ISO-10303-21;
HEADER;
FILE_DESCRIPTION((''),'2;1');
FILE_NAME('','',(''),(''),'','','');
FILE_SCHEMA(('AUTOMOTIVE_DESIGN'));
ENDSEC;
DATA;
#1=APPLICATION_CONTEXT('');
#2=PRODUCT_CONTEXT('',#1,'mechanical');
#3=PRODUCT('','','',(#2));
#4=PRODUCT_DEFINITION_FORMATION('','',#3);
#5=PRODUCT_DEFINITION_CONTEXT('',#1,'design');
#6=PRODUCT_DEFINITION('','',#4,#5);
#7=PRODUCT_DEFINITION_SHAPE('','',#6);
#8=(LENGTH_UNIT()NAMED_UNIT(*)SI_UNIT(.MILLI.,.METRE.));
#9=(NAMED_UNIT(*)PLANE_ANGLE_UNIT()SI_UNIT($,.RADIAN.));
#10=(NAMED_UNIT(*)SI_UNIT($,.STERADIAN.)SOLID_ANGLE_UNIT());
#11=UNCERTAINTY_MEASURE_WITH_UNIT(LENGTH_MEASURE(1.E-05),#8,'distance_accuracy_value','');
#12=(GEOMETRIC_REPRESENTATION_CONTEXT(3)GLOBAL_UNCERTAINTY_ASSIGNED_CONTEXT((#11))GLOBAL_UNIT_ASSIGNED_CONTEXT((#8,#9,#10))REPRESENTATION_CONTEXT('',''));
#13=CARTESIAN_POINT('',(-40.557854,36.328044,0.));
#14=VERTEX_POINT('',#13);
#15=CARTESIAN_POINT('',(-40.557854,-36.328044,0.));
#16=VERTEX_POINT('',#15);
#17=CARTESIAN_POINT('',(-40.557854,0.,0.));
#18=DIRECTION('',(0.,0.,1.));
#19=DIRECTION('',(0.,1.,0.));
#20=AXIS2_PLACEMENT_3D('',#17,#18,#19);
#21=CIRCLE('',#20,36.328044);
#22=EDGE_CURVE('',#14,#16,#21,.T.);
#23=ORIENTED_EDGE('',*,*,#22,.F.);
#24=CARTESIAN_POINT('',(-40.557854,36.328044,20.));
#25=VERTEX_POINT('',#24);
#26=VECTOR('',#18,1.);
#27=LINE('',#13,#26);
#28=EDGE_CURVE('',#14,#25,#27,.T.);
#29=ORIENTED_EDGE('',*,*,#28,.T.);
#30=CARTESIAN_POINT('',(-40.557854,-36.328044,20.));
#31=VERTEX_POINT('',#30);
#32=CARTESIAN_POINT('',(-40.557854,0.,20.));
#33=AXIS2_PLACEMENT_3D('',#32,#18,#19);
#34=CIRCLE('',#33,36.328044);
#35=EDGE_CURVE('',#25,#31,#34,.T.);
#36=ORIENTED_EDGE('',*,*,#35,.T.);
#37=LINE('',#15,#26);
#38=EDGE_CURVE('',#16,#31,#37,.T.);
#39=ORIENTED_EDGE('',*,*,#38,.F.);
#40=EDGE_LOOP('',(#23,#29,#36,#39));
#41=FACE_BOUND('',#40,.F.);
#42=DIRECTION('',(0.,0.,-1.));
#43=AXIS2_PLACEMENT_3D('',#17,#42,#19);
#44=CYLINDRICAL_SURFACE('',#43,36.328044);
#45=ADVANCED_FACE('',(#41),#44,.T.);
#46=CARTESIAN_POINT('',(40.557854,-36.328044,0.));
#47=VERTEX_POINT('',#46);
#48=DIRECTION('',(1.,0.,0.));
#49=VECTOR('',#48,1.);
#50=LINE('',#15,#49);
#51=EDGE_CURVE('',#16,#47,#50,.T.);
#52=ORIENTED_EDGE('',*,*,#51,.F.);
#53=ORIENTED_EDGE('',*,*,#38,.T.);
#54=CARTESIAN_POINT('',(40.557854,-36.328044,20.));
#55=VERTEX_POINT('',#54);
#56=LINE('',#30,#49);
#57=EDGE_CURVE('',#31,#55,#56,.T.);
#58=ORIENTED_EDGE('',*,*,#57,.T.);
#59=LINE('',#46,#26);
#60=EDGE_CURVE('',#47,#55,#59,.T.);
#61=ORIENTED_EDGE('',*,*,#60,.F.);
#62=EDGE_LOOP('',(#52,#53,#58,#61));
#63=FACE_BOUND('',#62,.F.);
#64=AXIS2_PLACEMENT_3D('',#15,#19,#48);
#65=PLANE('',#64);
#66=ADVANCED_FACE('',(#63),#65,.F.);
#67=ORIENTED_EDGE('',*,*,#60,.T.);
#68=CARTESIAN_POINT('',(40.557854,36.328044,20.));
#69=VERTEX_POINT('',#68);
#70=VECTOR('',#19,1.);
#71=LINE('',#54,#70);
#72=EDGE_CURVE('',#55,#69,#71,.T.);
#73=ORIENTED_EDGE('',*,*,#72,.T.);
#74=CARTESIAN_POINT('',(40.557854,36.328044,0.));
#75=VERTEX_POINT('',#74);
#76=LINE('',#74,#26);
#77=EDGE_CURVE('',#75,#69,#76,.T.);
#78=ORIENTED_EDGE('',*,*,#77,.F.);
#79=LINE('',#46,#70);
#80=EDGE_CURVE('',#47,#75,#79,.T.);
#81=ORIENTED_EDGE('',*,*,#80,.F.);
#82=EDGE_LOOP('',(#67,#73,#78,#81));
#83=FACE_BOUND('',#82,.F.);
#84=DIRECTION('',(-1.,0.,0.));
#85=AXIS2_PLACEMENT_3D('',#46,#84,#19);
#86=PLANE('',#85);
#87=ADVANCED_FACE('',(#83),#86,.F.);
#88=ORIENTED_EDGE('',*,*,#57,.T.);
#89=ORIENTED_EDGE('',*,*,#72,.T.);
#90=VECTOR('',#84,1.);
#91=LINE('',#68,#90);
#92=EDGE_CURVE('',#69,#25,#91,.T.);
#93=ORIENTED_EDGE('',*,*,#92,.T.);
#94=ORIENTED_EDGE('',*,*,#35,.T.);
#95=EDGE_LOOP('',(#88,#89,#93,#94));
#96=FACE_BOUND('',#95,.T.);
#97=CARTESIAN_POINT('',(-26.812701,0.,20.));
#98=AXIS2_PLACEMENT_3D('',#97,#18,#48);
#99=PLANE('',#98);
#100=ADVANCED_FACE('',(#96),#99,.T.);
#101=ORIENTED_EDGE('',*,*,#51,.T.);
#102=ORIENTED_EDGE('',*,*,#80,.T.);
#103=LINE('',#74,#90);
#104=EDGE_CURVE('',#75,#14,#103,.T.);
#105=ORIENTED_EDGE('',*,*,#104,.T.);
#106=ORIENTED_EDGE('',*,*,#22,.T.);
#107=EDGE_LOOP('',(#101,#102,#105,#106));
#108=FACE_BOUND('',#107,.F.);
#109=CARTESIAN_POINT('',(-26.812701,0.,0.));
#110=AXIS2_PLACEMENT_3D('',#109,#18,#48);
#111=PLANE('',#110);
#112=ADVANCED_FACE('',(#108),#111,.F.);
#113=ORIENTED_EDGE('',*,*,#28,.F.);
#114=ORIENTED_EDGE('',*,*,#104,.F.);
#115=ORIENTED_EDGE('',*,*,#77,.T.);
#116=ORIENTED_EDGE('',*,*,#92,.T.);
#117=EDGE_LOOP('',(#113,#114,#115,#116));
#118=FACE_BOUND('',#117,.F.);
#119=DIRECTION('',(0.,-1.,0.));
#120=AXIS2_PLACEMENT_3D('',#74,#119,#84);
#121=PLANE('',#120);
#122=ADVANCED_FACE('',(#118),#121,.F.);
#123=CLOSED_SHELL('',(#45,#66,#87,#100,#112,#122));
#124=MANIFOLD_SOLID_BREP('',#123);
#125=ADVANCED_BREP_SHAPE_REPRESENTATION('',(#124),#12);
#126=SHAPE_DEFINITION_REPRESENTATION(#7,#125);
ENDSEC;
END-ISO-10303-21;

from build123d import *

# Parameters (mm, degrees)
F1_DEPTH = 20


with BuildPart() as f1:
    # F0 (on Top) → F1 (new body)
    with BuildSketch(Plane.XY):
        with BuildLine():
            ThreePointArc((-4.2298100889, 0), (-14.8700477673, 25.6878061102), (-40.5578538775, 36.3280437887))
            Line((-40.5578538775, 36.3280437887), (-40.5578538775, -36.3280437887))
            ThreePointArc((-40.5578538775, -36.3280437887), (-14.8700477673, -25.6878061102), (-4.2298100889, 0))
        make_face()
        with BuildLine():
            Line((40.5578538775, 36.3280437887), (-40.5578538775, 36.3280437887))
            ThreePointArc((-40.5578538775, 36.3280437887), (-14.8700477673, 25.6878061102), (-4.2298100889, 0))
            ThreePointArc((-4.2298100889, 0), (-14.8700477673, -25.6878061102), (-40.5578538775, -36.3280437887))
            Line((-40.5578538775, -36.3280437887), (40.5578538775, -36.3280437887))
            Line((40.5578538775, -36.3280437887), (40.5578538775, 36.3280437887))
        make_face()
        with BuildLine():
            Line((-40.5578538775, -36.3280437887), (-40.5578538775, 36.3280437887))
            ThreePointArc((-40.5578538775, 36.3280437887), (-76.8858976662, 0), (-40.5578538775, -36.3280437887))
        make_face()
    extrude(amount=F1_DEPTH)


solid = f1.part
